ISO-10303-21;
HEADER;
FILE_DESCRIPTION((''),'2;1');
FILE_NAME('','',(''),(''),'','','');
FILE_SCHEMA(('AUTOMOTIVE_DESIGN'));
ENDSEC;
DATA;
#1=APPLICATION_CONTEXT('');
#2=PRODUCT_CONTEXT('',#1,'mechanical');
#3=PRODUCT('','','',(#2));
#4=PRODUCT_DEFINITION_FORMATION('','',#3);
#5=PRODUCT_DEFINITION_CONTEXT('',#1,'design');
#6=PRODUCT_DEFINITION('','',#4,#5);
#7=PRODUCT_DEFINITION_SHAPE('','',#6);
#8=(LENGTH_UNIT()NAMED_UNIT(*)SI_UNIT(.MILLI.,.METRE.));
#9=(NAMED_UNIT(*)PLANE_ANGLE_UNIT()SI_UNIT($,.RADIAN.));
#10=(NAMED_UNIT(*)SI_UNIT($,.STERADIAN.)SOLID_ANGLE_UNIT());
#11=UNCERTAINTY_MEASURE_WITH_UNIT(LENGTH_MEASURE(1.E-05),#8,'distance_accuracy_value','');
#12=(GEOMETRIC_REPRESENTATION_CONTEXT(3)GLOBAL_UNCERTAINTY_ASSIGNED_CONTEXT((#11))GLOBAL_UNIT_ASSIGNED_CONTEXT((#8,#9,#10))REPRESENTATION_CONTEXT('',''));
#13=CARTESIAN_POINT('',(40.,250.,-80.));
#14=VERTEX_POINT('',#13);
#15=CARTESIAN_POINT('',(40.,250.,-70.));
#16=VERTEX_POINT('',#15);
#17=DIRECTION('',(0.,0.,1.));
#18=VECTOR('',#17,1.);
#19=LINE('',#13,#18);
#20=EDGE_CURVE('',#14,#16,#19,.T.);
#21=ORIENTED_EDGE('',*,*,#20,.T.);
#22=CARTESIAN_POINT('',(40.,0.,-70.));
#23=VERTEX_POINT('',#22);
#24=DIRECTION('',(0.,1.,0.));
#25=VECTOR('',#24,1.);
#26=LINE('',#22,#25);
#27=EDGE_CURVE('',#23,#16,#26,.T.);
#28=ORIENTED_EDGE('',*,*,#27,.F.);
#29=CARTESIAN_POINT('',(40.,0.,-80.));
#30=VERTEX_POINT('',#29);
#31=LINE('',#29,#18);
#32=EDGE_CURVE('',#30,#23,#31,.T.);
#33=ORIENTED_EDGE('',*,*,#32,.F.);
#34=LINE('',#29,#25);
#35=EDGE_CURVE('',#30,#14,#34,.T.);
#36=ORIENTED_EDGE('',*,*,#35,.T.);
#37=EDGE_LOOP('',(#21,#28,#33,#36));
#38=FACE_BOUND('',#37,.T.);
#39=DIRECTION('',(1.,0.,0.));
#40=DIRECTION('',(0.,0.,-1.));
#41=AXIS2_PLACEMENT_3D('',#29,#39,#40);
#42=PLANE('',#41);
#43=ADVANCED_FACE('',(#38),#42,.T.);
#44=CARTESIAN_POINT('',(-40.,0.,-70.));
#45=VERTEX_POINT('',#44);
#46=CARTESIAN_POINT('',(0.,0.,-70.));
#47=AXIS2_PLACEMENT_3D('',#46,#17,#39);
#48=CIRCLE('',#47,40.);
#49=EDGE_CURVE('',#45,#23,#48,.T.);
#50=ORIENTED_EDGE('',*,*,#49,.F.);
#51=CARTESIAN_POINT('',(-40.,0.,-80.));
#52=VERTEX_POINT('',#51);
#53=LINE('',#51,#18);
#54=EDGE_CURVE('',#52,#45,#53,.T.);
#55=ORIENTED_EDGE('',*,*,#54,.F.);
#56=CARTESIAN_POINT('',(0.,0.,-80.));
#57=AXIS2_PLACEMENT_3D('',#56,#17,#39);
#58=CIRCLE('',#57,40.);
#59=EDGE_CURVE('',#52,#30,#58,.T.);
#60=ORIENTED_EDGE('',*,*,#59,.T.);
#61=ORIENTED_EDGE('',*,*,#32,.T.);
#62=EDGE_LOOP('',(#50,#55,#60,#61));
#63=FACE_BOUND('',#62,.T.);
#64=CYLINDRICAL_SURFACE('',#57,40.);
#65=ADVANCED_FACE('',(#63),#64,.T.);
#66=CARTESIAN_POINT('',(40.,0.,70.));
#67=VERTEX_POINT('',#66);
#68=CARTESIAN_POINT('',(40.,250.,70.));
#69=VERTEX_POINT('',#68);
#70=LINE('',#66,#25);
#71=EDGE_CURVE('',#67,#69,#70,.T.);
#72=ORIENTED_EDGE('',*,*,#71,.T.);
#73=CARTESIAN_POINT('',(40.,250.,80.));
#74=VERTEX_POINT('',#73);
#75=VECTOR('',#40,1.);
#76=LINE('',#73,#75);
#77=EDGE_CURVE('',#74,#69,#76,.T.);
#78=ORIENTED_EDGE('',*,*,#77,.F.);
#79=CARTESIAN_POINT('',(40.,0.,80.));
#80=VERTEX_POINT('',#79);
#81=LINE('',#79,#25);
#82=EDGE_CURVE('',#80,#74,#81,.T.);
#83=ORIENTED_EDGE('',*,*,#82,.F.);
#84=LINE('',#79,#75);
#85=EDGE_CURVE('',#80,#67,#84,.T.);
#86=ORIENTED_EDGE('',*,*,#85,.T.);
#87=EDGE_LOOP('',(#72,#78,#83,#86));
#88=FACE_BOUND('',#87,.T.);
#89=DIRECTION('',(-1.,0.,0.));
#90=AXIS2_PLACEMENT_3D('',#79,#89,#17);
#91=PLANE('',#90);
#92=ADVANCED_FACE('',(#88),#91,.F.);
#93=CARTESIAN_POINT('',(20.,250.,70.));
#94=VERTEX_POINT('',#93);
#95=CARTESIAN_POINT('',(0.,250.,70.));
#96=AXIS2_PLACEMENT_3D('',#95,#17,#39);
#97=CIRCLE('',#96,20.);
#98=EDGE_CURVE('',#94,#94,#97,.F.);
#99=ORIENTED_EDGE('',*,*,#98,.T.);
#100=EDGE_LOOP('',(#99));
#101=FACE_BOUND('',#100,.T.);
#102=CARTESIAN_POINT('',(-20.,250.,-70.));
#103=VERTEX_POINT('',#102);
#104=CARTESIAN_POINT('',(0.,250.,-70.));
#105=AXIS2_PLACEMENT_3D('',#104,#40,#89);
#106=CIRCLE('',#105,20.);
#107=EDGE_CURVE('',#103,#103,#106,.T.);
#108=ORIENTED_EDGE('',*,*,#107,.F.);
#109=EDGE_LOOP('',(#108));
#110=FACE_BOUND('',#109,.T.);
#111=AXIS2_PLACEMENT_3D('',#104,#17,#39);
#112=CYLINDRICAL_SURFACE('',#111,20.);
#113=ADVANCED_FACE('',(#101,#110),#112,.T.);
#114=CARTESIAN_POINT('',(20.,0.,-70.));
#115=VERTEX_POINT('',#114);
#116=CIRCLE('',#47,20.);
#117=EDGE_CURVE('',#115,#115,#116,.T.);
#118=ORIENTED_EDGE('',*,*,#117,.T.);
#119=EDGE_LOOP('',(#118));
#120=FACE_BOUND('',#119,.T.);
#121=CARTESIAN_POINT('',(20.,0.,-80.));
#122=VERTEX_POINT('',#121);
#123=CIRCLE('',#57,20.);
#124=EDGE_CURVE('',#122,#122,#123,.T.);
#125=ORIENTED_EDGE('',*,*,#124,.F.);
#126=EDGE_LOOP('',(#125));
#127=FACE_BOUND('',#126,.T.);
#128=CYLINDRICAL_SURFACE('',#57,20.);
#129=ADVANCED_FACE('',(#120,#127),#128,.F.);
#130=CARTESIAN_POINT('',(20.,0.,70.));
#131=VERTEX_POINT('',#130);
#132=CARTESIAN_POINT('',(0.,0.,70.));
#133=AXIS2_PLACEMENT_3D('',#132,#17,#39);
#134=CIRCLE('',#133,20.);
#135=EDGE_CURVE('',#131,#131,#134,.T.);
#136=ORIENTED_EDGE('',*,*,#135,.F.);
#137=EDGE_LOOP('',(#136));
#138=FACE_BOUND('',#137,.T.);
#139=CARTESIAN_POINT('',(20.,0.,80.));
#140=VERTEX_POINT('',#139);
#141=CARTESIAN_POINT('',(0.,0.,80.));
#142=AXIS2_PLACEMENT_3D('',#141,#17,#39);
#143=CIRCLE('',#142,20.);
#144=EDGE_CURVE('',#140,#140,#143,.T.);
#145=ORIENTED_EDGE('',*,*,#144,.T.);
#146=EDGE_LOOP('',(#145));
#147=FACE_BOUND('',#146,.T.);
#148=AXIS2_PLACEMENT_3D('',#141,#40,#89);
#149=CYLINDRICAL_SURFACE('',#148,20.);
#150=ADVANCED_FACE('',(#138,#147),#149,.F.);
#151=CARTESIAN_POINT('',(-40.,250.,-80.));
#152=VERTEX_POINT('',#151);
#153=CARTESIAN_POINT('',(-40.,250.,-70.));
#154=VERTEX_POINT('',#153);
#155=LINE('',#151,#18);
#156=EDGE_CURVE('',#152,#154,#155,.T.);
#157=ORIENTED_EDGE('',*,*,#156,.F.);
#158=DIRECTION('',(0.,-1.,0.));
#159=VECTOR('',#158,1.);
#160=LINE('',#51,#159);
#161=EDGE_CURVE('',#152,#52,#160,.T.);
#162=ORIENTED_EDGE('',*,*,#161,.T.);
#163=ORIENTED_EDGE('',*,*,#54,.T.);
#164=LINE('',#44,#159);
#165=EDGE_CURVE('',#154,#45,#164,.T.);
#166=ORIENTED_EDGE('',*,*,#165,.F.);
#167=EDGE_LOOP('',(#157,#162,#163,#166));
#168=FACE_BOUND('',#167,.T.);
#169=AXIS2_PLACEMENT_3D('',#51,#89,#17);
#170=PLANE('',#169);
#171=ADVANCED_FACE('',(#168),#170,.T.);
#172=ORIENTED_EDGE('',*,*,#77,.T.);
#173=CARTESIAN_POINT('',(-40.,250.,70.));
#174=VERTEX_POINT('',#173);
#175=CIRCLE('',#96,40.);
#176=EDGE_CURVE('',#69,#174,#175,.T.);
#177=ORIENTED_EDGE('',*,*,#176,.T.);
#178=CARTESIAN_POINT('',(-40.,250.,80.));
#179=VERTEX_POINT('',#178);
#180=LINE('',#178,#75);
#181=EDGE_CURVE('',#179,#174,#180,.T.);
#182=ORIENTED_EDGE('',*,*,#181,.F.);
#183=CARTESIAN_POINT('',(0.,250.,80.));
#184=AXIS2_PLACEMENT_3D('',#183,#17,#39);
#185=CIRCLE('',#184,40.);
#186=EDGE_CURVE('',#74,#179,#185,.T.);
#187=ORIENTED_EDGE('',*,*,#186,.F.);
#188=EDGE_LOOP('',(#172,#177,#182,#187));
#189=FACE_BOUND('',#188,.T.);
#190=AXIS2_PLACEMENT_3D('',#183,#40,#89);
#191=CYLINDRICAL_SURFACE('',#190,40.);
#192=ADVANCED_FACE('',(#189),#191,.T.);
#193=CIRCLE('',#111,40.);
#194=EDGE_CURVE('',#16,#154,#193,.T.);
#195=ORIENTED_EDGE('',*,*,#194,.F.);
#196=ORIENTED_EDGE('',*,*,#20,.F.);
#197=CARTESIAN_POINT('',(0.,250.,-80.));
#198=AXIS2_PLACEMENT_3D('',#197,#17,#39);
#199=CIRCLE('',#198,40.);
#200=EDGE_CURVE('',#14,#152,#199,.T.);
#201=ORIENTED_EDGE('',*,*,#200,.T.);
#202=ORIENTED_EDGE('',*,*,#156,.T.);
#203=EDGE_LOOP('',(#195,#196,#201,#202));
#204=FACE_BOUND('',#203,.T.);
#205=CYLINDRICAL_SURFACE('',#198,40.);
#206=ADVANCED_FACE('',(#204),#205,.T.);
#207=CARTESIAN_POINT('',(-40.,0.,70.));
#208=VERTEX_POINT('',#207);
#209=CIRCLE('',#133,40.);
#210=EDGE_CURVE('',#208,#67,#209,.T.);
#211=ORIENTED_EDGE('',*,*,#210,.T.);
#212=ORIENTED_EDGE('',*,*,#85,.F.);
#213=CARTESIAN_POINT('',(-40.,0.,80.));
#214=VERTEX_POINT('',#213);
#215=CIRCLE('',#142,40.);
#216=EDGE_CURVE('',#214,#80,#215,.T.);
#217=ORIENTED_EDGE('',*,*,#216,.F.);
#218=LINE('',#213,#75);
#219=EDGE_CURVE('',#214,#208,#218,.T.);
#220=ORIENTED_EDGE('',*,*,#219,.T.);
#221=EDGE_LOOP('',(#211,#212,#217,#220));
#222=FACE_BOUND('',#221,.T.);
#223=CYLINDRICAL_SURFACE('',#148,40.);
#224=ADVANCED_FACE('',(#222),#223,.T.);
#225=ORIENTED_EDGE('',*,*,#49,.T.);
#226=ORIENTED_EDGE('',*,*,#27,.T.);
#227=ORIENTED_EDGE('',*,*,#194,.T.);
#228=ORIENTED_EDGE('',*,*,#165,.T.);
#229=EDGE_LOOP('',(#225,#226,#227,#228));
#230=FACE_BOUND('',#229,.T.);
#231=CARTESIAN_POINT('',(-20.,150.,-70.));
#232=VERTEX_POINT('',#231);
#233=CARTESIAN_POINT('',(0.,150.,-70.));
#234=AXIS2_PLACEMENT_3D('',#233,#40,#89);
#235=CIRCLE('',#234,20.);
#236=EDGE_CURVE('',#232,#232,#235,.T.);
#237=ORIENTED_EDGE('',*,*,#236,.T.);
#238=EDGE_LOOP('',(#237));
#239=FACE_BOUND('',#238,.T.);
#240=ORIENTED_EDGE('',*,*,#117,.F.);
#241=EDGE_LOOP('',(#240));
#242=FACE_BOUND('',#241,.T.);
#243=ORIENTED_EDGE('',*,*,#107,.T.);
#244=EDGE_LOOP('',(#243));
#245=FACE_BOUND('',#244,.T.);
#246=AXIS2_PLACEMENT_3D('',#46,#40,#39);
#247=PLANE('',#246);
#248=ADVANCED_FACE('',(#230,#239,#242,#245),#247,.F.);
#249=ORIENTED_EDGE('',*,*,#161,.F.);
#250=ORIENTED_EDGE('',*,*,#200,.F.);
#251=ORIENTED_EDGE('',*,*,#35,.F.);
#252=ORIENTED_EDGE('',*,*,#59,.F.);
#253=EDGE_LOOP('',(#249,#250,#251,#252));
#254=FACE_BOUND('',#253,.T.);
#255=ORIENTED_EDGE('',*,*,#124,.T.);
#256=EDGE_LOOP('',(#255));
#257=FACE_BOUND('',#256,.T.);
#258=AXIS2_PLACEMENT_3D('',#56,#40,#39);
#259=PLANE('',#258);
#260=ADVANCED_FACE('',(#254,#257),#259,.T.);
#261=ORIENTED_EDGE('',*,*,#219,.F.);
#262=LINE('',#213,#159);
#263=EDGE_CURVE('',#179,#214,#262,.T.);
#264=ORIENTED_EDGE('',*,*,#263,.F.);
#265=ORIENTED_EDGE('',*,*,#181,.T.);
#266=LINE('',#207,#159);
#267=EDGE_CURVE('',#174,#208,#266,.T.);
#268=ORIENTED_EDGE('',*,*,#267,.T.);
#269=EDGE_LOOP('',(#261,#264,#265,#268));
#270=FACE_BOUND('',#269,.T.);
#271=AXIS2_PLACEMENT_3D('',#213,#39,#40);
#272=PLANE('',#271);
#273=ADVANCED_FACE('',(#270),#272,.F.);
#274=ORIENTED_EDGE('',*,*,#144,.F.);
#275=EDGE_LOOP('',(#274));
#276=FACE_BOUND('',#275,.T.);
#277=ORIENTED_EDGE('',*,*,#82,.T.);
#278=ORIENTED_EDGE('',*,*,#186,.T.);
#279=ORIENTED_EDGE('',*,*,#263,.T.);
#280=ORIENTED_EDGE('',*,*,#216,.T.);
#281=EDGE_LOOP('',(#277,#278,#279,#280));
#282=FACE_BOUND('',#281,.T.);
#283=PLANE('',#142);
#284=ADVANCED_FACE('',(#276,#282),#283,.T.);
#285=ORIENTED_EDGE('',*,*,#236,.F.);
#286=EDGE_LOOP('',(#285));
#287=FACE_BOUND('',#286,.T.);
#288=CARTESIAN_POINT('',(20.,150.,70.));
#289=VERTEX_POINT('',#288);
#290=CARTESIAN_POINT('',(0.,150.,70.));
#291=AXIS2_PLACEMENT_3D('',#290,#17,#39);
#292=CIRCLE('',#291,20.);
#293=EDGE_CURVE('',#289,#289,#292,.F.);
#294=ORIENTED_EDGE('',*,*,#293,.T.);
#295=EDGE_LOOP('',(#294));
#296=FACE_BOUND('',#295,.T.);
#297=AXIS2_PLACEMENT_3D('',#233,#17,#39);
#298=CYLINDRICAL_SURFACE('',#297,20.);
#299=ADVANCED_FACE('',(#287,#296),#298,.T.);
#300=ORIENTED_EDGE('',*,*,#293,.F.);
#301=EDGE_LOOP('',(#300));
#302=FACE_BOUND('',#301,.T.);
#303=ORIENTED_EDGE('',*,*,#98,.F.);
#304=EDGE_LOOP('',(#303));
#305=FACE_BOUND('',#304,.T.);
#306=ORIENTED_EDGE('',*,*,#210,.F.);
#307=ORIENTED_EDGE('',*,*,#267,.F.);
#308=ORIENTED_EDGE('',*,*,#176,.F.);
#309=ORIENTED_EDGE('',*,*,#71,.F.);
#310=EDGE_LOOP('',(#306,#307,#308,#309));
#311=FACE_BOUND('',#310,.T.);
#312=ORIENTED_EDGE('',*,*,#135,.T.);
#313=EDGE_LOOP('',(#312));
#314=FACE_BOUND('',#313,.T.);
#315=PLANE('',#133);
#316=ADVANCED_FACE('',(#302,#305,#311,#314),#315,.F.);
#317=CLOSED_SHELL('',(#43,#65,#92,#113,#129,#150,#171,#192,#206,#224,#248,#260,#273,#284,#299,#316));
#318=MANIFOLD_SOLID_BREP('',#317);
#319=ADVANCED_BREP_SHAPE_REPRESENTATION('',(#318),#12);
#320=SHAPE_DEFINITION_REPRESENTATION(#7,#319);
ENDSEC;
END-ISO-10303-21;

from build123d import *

# Parameters (mm, degrees)
BOSS_EXTRUDE1_START = 75
SKETCH1_R           = 20
BOSS_EXTRUDE1_DEPTH = 5
SKETCH2_R           = 20
BOSS_EXTRUDE2_DEPTH = 140


with BuildPart() as part:
    # Sketch1 → Boss-Extrude1 (new body, symmetric)
    with BuildSketch(Plane.XY.offset(BOSS_EXTRUDE1_START)):
        with BuildLine():
            Line((-40, 0), (-40, 250))
            ThreePointArc((-40, 250), (0, 290), (40, 250))
            Line((40, 250), (40, 0))
            ThreePointArc((40, 0), (0, -40), (-40, 0))
        make_face()
        Circle(SKETCH1_R, mode=Mode.SUBTRACT)
    boss_extrude1 = extrude(amount=BOSS_EXTRUDE1_DEPTH, both=True)

    # Sketch2 → Boss-Extrude2 (add)
    with BuildSketch(Plane(origin=(0, 0, 70), x_dir=(-1, 0, 0), z_dir=(0, 0, -1))):
        with Locations((0, 250)):
            Circle(SKETCH2_R)
        with Locations((0, 150)):
            Circle(SKETCH2_R)
    extrude(amount=BOSS_EXTRUDE2_DEPTH)

    # Mirror2: Boss-Extrude1 across plane
    add(boss_extrude1.mirror(Plane.XY))


solid = part.part
